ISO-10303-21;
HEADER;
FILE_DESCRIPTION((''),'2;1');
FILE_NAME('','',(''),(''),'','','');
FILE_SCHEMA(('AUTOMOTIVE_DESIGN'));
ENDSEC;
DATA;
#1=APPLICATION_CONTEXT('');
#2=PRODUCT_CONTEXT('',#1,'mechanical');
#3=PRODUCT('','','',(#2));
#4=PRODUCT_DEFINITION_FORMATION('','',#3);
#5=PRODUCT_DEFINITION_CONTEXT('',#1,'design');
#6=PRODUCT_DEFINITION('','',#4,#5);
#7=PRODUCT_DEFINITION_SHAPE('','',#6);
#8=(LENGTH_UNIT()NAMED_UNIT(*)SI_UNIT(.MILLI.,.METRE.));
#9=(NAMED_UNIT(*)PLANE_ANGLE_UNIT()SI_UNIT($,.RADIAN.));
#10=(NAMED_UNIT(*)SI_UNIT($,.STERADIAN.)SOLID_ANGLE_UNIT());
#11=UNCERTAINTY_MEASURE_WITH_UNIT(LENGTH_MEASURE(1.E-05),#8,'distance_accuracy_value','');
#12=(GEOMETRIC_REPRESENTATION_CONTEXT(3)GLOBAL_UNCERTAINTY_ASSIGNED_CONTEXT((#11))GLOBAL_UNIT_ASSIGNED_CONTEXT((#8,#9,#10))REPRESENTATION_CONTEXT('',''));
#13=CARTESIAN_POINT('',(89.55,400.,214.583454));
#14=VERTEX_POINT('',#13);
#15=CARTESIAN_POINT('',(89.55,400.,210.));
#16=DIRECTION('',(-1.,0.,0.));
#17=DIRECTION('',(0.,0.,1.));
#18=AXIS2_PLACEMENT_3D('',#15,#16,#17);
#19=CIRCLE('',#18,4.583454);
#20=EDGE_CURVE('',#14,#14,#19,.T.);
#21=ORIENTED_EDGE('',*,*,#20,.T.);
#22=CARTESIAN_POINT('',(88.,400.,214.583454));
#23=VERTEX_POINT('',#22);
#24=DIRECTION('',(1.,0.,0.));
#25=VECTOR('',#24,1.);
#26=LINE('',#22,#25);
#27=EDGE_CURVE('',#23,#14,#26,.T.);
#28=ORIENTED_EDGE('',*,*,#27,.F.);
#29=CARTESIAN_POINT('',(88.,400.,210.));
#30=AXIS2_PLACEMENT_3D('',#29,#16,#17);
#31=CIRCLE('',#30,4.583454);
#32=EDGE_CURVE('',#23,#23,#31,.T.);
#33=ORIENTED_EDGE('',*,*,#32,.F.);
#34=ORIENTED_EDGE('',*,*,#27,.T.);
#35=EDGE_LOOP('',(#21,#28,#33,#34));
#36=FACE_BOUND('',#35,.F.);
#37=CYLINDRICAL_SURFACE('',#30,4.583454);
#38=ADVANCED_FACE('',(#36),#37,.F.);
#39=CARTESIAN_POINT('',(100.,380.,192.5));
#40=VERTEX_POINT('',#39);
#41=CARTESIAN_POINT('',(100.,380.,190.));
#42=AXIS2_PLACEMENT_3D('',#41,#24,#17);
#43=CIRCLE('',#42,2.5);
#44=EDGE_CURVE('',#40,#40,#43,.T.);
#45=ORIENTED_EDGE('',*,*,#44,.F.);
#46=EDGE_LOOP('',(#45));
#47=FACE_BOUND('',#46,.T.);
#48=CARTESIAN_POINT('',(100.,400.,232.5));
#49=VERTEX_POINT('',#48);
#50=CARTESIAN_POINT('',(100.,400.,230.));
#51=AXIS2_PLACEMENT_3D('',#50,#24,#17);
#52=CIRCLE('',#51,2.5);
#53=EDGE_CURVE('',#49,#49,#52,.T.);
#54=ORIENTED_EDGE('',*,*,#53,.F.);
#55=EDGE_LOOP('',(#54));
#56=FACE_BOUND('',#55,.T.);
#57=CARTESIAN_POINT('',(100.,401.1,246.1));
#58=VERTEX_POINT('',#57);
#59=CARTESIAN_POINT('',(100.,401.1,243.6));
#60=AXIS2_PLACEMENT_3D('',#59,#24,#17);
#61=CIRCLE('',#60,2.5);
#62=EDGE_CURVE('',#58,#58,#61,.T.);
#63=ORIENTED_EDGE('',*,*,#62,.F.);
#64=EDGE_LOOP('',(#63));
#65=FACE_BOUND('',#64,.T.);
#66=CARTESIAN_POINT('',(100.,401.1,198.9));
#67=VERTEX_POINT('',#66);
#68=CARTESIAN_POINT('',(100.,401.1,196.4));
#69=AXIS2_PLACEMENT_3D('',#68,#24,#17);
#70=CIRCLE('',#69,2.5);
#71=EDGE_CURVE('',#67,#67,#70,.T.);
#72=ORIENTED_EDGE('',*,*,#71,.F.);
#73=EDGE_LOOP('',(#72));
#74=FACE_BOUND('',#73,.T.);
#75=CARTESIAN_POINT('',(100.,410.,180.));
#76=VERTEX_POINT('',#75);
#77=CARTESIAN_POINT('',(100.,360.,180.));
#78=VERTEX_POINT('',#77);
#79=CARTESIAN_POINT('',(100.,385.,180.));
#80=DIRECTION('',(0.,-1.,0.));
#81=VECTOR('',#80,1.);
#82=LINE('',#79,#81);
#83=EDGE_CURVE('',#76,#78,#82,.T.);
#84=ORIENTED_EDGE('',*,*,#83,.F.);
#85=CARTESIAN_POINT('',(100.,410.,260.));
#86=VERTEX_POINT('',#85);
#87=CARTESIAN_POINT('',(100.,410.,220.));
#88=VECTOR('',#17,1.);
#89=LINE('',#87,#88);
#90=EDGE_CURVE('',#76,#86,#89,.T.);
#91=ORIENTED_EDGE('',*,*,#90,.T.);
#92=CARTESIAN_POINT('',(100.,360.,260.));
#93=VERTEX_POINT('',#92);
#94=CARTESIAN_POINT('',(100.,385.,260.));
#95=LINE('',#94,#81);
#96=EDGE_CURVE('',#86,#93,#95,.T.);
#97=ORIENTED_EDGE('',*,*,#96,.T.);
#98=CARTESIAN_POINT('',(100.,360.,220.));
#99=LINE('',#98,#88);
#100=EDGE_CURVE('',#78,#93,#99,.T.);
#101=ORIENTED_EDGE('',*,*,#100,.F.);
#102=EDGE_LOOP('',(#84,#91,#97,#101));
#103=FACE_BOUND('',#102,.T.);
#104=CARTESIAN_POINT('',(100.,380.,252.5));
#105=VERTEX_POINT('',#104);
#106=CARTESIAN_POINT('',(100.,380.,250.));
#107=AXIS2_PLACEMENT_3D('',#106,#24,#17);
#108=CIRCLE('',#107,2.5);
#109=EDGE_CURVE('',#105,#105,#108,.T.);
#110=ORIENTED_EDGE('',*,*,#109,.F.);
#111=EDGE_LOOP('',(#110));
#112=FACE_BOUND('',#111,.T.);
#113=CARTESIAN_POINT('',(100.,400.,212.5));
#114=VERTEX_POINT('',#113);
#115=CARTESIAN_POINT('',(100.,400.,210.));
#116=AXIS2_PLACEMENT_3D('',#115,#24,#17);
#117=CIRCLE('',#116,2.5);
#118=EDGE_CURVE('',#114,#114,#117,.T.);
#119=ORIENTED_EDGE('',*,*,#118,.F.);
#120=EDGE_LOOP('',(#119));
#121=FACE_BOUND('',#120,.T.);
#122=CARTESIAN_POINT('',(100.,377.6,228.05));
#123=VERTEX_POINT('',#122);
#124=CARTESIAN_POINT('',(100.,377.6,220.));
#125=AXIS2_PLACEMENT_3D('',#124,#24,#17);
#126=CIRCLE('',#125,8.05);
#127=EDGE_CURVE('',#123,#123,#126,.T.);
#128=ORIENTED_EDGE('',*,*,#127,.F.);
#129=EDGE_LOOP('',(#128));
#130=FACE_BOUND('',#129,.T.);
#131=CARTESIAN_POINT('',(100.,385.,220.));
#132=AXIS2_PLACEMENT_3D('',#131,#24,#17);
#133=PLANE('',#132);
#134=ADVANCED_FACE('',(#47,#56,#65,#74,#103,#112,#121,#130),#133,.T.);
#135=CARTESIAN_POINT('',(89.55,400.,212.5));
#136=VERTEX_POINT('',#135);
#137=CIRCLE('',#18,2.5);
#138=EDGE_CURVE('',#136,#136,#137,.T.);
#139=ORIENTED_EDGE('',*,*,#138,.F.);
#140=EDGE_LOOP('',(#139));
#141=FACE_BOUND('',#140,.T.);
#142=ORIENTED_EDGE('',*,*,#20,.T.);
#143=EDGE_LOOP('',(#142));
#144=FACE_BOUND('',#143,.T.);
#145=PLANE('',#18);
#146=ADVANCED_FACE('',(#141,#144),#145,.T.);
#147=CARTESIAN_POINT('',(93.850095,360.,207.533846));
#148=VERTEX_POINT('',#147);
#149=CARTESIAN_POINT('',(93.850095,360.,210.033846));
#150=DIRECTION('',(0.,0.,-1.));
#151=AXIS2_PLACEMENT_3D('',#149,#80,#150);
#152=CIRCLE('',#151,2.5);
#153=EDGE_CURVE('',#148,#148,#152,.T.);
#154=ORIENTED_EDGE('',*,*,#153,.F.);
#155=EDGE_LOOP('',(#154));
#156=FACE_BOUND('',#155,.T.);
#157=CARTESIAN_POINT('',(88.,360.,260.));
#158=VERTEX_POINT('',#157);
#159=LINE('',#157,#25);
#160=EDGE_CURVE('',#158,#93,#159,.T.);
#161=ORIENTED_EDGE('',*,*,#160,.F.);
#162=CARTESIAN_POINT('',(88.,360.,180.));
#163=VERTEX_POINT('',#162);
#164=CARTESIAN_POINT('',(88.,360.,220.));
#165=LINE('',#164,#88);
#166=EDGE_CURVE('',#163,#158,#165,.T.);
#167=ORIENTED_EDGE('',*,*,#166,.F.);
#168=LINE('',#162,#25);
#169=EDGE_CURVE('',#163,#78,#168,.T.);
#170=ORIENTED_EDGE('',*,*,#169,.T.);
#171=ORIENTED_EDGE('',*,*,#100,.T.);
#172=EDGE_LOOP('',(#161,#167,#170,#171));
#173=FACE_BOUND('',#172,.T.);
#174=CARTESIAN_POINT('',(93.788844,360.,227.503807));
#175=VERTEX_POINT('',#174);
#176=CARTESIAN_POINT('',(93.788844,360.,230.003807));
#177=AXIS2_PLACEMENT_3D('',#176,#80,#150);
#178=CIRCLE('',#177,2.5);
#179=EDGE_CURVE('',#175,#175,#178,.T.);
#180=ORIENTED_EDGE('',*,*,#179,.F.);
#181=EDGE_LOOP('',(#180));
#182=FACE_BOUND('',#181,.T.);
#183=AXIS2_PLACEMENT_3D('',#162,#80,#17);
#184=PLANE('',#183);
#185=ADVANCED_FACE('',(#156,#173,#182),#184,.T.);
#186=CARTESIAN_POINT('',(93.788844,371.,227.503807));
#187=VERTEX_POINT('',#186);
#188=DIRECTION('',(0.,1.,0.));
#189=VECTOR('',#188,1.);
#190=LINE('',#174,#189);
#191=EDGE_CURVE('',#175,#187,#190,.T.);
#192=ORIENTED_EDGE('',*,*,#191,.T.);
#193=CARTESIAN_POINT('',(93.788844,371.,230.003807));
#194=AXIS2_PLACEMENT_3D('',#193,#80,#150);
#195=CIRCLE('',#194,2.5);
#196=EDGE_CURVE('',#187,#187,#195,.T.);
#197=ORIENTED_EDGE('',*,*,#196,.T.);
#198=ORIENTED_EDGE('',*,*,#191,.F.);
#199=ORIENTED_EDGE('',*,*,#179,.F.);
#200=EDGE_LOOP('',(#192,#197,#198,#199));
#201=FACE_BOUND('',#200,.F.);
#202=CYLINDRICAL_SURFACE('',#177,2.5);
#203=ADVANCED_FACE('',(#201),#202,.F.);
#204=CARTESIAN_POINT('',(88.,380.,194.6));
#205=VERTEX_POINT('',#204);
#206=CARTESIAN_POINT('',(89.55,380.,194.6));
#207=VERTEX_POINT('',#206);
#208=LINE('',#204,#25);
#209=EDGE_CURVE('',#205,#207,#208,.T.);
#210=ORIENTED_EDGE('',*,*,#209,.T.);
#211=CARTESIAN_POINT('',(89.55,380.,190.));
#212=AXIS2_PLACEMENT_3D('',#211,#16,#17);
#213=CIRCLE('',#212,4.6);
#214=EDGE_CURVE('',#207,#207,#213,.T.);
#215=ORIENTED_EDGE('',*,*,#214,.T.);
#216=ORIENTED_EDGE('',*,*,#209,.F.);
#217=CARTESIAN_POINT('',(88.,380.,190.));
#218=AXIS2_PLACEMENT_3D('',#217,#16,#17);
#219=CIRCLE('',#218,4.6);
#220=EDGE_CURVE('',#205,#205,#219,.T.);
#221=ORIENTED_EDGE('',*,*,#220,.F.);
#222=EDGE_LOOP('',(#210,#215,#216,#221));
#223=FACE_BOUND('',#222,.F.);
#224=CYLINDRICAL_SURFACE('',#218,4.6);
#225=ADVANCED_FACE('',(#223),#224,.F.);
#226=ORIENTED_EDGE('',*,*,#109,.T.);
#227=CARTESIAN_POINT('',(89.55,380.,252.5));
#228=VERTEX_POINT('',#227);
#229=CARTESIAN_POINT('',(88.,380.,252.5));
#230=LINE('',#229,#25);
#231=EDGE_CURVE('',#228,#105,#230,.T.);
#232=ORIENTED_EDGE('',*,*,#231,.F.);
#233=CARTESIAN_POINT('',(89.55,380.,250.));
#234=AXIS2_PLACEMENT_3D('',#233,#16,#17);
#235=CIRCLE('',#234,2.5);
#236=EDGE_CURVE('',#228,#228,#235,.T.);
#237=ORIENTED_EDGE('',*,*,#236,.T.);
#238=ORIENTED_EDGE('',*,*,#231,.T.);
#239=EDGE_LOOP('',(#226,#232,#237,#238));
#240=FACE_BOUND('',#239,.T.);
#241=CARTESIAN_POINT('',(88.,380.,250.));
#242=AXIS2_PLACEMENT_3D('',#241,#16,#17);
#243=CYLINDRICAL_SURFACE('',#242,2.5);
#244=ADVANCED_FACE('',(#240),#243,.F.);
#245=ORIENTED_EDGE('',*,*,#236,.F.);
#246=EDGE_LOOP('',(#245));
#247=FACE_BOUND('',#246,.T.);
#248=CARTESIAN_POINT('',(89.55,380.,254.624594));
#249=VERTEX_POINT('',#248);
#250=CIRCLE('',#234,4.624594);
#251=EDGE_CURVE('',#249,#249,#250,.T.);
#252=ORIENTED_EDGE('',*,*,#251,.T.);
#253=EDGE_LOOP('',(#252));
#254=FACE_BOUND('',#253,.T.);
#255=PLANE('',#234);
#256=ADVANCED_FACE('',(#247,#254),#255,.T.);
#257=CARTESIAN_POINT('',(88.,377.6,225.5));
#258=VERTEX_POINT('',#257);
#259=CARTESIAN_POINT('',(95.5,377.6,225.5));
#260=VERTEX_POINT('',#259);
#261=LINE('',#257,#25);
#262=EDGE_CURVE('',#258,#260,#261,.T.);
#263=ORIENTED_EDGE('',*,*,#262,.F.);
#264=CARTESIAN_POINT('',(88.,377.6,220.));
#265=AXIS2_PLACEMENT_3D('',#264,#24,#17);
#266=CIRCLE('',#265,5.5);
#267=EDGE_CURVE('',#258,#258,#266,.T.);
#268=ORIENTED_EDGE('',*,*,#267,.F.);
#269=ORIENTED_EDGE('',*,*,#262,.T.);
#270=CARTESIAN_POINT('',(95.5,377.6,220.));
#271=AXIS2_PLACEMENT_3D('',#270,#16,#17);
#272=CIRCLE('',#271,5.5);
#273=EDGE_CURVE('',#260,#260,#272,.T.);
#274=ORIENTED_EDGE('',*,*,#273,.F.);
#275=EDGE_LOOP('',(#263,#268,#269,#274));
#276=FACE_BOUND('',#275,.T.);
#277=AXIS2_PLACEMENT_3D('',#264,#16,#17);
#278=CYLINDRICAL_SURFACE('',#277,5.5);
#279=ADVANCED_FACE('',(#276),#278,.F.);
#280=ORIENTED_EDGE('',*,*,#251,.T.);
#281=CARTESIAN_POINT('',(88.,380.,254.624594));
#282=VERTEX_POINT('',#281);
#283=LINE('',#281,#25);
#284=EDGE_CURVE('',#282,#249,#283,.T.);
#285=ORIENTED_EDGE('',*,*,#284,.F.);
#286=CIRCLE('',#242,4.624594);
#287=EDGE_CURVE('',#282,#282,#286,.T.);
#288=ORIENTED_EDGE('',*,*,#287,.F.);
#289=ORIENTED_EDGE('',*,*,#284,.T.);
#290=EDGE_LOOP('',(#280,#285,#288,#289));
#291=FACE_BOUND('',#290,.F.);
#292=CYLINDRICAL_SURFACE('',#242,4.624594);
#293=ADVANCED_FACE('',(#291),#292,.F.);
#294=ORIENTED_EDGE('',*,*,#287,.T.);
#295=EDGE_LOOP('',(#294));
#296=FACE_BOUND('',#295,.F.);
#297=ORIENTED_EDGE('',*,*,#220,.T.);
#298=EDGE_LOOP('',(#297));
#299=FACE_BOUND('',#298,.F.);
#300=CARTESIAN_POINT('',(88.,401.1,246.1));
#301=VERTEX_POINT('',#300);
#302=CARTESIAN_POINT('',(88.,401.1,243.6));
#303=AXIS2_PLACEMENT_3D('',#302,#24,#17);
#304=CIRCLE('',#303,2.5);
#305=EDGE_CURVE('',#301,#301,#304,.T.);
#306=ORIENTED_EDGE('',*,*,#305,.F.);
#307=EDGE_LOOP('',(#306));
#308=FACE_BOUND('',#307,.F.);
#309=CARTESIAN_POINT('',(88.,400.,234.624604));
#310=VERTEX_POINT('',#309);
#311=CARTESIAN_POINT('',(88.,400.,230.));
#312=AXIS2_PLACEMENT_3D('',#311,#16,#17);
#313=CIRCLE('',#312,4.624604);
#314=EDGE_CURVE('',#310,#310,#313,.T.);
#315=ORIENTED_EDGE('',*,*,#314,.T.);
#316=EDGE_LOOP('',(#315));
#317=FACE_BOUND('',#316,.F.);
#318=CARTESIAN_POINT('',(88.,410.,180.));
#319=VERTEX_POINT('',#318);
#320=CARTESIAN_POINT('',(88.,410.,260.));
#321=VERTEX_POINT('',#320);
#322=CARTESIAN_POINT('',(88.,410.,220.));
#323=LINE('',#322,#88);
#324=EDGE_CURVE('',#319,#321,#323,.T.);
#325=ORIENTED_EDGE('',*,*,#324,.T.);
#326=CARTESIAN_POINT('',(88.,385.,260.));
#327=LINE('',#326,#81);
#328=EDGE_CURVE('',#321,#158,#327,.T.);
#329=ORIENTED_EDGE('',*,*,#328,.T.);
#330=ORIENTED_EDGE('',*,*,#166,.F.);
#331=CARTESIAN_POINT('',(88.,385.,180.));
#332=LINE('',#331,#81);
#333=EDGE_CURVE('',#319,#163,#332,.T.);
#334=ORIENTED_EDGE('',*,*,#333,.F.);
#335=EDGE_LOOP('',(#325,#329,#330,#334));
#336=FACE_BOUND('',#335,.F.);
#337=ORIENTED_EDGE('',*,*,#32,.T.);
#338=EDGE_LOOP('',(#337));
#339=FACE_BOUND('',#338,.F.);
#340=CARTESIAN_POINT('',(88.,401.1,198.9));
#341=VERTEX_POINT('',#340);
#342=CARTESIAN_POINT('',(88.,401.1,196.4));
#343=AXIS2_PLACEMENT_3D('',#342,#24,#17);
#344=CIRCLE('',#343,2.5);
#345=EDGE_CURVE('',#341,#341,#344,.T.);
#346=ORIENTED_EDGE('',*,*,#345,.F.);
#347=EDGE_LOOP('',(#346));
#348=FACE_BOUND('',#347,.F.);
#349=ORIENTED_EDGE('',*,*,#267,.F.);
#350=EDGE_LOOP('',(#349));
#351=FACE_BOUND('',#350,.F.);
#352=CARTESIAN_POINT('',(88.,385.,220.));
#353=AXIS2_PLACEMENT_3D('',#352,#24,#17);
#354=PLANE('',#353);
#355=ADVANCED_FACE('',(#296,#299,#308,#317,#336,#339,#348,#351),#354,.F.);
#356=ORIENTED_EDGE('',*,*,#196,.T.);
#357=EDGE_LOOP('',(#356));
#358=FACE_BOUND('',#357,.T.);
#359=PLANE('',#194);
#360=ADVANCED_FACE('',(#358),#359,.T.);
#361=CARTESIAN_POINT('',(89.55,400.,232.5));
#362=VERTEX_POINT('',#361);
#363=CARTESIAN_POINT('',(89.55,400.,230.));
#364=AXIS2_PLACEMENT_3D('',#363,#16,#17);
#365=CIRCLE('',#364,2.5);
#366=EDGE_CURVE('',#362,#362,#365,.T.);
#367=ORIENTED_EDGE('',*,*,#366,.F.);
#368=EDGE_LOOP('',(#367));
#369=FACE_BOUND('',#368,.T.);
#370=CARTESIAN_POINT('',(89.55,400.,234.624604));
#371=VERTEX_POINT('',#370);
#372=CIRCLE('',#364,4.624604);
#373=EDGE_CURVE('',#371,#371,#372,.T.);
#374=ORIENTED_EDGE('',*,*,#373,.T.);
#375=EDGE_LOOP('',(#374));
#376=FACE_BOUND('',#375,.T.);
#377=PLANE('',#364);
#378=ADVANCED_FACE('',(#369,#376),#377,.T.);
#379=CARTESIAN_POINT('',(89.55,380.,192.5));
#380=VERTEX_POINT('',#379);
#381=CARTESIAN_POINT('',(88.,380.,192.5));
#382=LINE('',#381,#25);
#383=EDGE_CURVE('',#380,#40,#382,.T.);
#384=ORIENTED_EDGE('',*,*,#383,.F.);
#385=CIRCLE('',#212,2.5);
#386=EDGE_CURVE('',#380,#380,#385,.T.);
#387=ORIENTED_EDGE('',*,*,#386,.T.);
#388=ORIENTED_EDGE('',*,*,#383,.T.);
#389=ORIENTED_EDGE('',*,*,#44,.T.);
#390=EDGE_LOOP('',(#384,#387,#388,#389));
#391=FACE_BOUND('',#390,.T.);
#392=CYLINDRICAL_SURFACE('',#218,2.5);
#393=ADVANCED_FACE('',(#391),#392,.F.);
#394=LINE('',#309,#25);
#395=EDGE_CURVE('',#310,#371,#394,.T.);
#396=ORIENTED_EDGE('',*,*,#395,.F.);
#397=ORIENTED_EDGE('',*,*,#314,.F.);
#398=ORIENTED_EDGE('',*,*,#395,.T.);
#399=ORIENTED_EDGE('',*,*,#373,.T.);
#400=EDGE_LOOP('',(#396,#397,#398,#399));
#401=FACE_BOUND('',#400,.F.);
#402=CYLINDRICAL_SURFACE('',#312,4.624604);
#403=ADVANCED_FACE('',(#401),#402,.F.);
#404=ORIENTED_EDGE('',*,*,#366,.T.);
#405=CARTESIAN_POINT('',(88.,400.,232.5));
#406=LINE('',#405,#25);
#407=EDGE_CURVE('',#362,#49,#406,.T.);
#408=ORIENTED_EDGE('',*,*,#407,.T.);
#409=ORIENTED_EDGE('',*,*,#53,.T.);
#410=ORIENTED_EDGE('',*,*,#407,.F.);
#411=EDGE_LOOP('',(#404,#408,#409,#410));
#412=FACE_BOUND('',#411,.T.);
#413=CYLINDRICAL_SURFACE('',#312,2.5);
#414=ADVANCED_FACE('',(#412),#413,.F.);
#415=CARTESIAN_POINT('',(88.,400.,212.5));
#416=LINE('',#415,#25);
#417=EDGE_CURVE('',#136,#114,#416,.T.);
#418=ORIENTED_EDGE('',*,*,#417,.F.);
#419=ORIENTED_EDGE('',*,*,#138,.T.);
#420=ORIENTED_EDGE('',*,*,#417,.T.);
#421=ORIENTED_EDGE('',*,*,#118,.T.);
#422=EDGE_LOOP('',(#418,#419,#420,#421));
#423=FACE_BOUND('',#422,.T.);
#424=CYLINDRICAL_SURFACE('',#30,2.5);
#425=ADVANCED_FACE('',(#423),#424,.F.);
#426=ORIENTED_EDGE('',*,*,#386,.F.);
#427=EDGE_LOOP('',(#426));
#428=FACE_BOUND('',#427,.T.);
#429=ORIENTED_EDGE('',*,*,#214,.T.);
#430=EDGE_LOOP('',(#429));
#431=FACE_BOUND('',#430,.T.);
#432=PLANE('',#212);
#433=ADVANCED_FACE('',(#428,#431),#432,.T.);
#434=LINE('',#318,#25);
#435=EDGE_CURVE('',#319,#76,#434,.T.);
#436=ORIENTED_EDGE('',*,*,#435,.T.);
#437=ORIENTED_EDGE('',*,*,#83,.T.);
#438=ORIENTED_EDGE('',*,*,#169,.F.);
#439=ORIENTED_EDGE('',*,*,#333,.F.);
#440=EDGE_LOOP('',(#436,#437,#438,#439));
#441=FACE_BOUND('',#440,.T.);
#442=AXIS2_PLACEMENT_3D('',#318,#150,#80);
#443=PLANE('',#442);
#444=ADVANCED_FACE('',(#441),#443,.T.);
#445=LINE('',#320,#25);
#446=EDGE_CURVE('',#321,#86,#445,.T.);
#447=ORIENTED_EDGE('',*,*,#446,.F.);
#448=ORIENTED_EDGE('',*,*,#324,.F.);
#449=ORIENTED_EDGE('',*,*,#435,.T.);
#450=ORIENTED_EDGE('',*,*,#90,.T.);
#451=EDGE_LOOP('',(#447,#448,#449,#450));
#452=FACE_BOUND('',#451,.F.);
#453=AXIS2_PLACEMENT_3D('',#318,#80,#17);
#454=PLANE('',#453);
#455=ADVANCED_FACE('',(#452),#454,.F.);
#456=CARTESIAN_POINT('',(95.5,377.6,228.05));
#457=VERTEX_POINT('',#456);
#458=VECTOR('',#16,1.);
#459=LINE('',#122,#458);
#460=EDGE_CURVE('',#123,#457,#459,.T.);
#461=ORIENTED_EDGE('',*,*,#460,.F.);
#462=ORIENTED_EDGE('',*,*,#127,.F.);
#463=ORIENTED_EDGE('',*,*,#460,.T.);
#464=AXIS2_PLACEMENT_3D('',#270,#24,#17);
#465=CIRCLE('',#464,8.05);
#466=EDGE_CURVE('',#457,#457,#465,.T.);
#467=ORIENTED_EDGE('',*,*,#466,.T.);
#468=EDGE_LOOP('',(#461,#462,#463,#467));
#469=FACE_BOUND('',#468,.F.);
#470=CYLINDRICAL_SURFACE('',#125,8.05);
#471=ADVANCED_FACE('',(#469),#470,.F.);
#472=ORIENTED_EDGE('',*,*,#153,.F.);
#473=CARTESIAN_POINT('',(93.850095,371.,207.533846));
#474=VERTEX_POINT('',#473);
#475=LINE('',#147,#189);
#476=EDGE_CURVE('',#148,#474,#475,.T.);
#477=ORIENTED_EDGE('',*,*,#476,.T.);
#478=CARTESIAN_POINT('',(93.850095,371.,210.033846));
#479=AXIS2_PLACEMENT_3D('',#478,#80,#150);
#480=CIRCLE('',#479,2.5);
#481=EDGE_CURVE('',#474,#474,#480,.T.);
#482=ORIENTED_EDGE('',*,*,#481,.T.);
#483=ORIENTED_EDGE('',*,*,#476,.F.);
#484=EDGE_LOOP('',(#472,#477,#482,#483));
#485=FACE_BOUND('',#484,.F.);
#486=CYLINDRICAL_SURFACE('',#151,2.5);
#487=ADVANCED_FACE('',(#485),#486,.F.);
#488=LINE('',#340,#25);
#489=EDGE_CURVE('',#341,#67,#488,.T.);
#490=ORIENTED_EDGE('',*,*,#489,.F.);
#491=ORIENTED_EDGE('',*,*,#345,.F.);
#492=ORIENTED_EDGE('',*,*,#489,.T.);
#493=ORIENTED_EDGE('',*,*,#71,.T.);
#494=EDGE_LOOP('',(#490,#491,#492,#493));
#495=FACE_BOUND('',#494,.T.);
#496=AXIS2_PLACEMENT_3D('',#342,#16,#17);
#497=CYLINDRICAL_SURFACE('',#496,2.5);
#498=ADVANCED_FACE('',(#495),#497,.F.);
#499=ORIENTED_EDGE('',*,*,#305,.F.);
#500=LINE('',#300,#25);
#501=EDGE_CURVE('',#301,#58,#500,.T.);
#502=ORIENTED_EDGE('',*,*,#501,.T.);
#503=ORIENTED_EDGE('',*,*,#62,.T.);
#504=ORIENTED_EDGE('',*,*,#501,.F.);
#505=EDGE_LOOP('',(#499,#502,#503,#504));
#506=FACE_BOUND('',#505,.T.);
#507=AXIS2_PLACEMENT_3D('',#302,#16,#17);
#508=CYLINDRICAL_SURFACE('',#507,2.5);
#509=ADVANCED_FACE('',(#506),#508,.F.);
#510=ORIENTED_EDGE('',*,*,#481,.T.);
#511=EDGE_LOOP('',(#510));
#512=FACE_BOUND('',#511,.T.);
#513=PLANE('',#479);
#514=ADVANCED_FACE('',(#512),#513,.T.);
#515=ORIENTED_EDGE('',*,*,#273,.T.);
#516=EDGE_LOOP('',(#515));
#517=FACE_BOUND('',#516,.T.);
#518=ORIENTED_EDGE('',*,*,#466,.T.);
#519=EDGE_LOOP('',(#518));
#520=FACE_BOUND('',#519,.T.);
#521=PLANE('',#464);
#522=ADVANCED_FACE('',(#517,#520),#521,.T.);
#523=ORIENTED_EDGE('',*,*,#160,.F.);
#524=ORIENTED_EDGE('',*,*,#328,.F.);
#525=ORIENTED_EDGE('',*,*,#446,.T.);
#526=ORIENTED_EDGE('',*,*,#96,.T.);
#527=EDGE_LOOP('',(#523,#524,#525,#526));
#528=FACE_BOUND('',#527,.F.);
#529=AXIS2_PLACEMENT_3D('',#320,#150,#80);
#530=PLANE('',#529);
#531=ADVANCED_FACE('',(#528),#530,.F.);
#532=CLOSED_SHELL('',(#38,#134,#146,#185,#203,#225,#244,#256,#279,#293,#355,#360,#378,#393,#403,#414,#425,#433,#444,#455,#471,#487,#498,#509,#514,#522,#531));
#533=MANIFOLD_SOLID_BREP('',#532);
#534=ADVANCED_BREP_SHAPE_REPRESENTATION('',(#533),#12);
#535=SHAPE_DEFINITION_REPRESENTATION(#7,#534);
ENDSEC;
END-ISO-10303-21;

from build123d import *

# Parameters (mm, degrees)
SKETCH010_W     = 80
SKETCH010_H     = 50
SKETCH010_R     = 2.5
SKETCH010_R_2   = 5.5
PAD002_DEPTH    = 12
SKETCH011_R     = 2.5
POCKET006_DEPTH = 11
SKETCH012_R     = 8.05
POCKET007_DEPTH = 4.5
SKETCH013_R     = 4.6
SKETCH013_R_2   = 4.624594
SKETCH013_R_3   = 4.583454
SKETCH013_R_4   = 4.624604
POCKET008_DEPTH = 1.55


with BuildPart() as part:
    # Sketch010 → Pad002 (new body)
    with BuildSketch(Plane(origin=(88, 410, 180), x_dir=(0, 0, 1), z_dir=(1, 0, 0))):
        with Locations((40, 25)):
            Rectangle(SKETCH010_W, SKETCH010_H)
        with Locations((10, 30)):
            Circle(SKETCH010_R, mode=Mode.SUBTRACT)
        with Locations((30, 10)):
            Circle(SKETCH010_R, mode=Mode.SUBTRACT)
        with Locations((16.4, 8.9)):
            Circle(SKETCH010_R, mode=Mode.SUBTRACT)
        with Locations((50, 10)):
            Circle(SKETCH010_R, mode=Mode.SUBTRACT)
        with Locations((63.6, 8.9)):
            Circle(SKETCH010_R, mode=Mode.SUBTRACT)
        with Locations((70, 30)):
            Circle(SKETCH010_R, mode=Mode.SUBTRACT)
        with Locations((40, 32.4)):
            Circle(SKETCH010_R_2, mode=Mode.SUBTRACT)
    extrude(amount=PAD002_DEPTH)

    # Sketch011 → Pocket006 (cut)
    with BuildSketch(Plane(origin=(88, 360, 180), x_dir=(0, 0, -1), z_dir=(0, -1, 0))):
        with Locations((-30.033846, 5.850095)):
            Circle(SKETCH011_R)
        with Locations((-50.003807, 5.788844)):
            Circle(SKETCH011_R)
    extrude(amount=-POCKET006_DEPTH, mode=Mode.SUBTRACT)

    # Sketch012 → Pocket007 (cut)
    with BuildSketch(Plane(origin=(100, 410, 180), x_dir=(0, 0, 1), z_dir=(1, 0, 0))):
        with Locations((40, 32.4)):
            Circle(SKETCH012_R)
    extrude(amount=-POCKET007_DEPTH, mode=Mode.SUBTRACT)

    # Sketch013 → Pocket008 (cut)
    with BuildSketch(Plane(origin=(88, 410, 180), x_dir=(0, 0, 1), z_dir=(-1, 0, 0))):
        with Locations((10, -30)):
            Circle(SKETCH013_R)
        with Locations((70, -30)):
            Circle(SKETCH013_R_2)
        with Locations((30, -10)):
            Circle(SKETCH013_R_3)
        with Locations((50, -10)):
            Circle(SKETCH013_R_4)
    extrude(amount=-POCKET008_DEPTH, mode=Mode.SUBTRACT)


solid = part.part
